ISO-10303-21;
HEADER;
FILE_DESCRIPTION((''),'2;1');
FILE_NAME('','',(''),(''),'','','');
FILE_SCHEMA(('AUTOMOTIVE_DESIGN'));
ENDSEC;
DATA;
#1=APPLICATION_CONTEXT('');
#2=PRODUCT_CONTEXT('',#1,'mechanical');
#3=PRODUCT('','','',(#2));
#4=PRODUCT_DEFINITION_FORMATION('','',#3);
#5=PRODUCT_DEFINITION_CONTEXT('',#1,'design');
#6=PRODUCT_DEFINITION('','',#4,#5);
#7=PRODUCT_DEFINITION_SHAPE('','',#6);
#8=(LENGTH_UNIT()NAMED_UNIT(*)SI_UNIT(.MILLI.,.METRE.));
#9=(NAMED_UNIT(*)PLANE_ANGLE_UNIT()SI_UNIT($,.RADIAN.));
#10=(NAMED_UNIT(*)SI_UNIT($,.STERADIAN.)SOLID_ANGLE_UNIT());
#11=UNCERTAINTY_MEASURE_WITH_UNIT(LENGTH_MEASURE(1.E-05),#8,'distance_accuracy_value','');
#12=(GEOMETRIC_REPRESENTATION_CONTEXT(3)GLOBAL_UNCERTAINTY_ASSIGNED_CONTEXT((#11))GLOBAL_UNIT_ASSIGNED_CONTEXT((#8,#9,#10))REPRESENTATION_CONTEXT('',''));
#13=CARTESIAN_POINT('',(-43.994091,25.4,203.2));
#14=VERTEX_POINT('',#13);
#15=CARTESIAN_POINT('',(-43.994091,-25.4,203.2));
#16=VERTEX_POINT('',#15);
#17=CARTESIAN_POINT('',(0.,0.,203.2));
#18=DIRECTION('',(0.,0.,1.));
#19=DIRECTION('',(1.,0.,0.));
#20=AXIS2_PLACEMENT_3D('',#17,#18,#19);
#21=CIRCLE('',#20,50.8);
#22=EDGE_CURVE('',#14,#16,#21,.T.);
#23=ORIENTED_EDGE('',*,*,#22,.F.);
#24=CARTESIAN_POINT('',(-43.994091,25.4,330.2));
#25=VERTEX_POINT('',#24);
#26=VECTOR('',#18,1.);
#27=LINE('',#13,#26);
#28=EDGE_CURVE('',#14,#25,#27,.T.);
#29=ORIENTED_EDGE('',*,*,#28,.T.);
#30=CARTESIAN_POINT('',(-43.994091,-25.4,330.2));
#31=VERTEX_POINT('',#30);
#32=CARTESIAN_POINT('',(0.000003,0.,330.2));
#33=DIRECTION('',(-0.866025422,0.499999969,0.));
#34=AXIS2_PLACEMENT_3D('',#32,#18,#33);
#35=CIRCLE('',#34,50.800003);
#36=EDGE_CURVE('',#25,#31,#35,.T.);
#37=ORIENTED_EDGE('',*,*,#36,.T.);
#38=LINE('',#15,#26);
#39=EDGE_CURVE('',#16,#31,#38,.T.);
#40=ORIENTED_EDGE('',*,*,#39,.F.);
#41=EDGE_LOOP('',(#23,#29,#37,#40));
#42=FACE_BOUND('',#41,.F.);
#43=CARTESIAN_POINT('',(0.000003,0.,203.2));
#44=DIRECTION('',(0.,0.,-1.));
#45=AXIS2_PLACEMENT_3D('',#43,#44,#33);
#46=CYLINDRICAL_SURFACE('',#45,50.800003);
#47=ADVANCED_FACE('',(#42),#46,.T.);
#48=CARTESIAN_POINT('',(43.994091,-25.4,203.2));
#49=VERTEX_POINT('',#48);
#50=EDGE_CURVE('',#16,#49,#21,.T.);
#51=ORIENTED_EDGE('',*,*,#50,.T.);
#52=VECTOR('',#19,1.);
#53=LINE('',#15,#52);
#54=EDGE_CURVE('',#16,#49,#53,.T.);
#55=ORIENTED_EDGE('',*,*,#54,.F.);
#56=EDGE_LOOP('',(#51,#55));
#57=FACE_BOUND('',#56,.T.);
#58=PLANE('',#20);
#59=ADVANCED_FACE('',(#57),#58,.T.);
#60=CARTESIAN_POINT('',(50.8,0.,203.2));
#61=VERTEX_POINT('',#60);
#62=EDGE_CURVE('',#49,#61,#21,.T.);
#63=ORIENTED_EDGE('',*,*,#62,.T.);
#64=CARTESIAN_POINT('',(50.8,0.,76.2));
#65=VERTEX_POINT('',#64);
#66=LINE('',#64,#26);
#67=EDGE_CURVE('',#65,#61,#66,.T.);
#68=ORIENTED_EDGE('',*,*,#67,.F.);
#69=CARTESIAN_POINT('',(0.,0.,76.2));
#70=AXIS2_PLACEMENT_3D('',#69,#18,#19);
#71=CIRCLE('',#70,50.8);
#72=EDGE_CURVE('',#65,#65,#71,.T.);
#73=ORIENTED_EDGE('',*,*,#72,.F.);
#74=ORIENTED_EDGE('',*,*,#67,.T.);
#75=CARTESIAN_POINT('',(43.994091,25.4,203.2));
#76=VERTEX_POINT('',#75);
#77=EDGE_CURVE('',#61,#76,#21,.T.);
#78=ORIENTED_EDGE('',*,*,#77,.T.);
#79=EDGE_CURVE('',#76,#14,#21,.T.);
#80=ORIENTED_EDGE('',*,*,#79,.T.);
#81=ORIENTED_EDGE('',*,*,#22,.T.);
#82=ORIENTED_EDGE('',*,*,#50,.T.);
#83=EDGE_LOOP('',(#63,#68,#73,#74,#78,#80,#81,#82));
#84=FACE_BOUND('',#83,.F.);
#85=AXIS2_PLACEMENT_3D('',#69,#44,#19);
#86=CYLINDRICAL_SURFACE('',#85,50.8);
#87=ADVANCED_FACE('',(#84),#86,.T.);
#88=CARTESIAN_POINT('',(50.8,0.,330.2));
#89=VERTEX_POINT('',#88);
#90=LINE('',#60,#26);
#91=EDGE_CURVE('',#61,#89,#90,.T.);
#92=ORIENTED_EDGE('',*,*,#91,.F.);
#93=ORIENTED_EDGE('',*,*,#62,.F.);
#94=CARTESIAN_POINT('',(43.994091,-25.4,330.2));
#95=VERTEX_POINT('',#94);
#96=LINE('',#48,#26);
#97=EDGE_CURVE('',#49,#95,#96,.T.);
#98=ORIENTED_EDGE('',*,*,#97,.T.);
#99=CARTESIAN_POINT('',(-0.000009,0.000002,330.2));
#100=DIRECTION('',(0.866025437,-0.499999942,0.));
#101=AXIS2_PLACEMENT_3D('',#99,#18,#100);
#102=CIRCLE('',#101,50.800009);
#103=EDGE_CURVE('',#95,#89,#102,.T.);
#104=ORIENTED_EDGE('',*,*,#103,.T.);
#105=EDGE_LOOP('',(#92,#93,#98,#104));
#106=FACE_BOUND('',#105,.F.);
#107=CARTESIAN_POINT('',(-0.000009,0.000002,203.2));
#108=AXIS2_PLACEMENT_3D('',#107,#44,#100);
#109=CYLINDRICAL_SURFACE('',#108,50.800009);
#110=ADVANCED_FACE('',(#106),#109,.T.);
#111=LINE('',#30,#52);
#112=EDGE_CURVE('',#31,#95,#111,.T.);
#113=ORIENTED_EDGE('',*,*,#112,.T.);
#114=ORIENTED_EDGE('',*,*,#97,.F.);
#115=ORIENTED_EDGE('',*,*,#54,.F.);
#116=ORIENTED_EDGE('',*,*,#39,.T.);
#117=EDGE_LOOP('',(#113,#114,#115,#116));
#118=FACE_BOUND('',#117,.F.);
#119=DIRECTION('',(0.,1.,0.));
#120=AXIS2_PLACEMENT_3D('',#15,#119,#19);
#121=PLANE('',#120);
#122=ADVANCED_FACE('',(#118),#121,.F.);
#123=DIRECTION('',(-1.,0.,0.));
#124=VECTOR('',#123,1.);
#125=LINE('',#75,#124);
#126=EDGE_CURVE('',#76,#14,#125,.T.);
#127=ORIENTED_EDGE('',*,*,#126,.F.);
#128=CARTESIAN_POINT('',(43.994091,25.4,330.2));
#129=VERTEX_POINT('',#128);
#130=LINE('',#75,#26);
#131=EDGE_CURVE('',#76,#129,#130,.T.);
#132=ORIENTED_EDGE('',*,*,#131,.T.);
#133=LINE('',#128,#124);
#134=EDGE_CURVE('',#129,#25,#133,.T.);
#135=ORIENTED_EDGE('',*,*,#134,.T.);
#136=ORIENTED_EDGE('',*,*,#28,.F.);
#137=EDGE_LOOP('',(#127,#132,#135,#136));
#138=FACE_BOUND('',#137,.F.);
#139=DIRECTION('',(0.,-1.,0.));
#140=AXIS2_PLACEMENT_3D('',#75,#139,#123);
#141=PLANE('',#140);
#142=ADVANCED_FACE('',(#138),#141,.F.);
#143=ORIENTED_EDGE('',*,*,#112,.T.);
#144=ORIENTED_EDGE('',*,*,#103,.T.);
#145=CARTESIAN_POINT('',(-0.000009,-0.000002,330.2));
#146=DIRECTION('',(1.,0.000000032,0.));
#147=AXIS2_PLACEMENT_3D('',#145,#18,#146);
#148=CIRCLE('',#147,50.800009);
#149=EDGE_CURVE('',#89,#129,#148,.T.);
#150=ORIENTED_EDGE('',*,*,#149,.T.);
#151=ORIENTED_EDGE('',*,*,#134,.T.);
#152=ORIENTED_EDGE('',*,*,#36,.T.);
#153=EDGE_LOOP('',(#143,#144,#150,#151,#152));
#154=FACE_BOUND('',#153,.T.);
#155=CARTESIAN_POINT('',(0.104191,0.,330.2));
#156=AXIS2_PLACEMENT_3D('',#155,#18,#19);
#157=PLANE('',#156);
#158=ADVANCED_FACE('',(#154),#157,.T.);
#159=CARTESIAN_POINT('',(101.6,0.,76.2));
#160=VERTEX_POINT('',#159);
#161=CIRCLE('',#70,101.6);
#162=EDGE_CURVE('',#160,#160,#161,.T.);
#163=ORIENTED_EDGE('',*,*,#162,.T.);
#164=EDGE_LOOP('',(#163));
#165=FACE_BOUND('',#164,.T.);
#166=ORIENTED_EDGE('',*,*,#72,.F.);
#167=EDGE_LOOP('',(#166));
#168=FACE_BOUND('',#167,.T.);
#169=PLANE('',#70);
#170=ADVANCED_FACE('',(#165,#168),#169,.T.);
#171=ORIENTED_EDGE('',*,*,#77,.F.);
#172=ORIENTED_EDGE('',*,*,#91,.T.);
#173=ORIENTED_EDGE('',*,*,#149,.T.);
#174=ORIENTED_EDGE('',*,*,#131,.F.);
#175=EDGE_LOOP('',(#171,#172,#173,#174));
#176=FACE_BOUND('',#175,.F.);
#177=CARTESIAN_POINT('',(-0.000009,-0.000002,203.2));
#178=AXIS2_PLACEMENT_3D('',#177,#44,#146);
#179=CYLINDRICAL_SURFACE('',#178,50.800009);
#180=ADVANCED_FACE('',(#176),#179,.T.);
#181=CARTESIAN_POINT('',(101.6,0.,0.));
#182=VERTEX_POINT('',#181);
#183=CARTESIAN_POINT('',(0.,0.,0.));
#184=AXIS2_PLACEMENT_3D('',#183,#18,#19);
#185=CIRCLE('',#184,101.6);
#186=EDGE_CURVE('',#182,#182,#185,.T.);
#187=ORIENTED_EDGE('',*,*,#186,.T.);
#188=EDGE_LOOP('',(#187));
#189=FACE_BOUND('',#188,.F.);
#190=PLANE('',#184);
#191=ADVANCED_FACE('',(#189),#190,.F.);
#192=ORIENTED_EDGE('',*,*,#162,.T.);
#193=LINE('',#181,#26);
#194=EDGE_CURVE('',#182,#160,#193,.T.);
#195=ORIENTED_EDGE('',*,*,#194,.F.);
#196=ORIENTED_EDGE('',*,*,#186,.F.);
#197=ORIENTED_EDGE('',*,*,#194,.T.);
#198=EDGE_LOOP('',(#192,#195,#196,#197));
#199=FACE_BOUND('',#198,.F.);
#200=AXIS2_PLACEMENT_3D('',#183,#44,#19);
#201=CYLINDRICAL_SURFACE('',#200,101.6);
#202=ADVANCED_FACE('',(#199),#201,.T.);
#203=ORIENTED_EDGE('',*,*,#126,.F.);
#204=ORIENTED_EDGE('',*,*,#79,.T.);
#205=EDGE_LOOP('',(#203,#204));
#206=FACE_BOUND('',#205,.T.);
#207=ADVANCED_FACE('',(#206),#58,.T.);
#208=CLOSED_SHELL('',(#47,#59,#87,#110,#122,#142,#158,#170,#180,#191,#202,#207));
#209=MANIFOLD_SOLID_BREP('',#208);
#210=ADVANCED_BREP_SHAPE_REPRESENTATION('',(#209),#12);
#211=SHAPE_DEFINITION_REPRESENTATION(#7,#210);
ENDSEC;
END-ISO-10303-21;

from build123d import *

# Parameters (mm, degrees)
F0_R     = 101.6
F1_DEPTH = 76.2
F2_R     = 50.8
F3_DEPTH = 127
F5_DEPTH = 127


with BuildPart() as f1:
    # F0 (on Top) → F1 (new body)
    with BuildSketch(Plane.XY):
        Circle(F0_R)
    extrude(amount=F1_DEPTH)

    # F2 (on face) → F3 (join)
    with BuildSketch(Plane.XY.offset(76.2)):
        Circle(F2_R)
    extrude(amount=F3_DEPTH)

    # F4 (on face) → F5 (join)
    with BuildSketch(Plane.XY.offset(203.2)):
        with BuildLine():
            Line((43.994091, 25.4), (-43.994091, 25.4))
            ThreePointArc((-43.994091, 25.4), (-50.8, 0), (-43.994091, -25.4))
            Line((-43.994091, -25.4), (43.994091, -25.4))
            ThreePointArc((43.994091, -25.4), (49.069032, -13.148007), (50.8, 0))
            ThreePointArc((50.8, 0), (49.069032, 13.148007), (43.994091, 25.4))
        make_face()
    extrude(amount=F5_DEPTH)


solid = f1.part
